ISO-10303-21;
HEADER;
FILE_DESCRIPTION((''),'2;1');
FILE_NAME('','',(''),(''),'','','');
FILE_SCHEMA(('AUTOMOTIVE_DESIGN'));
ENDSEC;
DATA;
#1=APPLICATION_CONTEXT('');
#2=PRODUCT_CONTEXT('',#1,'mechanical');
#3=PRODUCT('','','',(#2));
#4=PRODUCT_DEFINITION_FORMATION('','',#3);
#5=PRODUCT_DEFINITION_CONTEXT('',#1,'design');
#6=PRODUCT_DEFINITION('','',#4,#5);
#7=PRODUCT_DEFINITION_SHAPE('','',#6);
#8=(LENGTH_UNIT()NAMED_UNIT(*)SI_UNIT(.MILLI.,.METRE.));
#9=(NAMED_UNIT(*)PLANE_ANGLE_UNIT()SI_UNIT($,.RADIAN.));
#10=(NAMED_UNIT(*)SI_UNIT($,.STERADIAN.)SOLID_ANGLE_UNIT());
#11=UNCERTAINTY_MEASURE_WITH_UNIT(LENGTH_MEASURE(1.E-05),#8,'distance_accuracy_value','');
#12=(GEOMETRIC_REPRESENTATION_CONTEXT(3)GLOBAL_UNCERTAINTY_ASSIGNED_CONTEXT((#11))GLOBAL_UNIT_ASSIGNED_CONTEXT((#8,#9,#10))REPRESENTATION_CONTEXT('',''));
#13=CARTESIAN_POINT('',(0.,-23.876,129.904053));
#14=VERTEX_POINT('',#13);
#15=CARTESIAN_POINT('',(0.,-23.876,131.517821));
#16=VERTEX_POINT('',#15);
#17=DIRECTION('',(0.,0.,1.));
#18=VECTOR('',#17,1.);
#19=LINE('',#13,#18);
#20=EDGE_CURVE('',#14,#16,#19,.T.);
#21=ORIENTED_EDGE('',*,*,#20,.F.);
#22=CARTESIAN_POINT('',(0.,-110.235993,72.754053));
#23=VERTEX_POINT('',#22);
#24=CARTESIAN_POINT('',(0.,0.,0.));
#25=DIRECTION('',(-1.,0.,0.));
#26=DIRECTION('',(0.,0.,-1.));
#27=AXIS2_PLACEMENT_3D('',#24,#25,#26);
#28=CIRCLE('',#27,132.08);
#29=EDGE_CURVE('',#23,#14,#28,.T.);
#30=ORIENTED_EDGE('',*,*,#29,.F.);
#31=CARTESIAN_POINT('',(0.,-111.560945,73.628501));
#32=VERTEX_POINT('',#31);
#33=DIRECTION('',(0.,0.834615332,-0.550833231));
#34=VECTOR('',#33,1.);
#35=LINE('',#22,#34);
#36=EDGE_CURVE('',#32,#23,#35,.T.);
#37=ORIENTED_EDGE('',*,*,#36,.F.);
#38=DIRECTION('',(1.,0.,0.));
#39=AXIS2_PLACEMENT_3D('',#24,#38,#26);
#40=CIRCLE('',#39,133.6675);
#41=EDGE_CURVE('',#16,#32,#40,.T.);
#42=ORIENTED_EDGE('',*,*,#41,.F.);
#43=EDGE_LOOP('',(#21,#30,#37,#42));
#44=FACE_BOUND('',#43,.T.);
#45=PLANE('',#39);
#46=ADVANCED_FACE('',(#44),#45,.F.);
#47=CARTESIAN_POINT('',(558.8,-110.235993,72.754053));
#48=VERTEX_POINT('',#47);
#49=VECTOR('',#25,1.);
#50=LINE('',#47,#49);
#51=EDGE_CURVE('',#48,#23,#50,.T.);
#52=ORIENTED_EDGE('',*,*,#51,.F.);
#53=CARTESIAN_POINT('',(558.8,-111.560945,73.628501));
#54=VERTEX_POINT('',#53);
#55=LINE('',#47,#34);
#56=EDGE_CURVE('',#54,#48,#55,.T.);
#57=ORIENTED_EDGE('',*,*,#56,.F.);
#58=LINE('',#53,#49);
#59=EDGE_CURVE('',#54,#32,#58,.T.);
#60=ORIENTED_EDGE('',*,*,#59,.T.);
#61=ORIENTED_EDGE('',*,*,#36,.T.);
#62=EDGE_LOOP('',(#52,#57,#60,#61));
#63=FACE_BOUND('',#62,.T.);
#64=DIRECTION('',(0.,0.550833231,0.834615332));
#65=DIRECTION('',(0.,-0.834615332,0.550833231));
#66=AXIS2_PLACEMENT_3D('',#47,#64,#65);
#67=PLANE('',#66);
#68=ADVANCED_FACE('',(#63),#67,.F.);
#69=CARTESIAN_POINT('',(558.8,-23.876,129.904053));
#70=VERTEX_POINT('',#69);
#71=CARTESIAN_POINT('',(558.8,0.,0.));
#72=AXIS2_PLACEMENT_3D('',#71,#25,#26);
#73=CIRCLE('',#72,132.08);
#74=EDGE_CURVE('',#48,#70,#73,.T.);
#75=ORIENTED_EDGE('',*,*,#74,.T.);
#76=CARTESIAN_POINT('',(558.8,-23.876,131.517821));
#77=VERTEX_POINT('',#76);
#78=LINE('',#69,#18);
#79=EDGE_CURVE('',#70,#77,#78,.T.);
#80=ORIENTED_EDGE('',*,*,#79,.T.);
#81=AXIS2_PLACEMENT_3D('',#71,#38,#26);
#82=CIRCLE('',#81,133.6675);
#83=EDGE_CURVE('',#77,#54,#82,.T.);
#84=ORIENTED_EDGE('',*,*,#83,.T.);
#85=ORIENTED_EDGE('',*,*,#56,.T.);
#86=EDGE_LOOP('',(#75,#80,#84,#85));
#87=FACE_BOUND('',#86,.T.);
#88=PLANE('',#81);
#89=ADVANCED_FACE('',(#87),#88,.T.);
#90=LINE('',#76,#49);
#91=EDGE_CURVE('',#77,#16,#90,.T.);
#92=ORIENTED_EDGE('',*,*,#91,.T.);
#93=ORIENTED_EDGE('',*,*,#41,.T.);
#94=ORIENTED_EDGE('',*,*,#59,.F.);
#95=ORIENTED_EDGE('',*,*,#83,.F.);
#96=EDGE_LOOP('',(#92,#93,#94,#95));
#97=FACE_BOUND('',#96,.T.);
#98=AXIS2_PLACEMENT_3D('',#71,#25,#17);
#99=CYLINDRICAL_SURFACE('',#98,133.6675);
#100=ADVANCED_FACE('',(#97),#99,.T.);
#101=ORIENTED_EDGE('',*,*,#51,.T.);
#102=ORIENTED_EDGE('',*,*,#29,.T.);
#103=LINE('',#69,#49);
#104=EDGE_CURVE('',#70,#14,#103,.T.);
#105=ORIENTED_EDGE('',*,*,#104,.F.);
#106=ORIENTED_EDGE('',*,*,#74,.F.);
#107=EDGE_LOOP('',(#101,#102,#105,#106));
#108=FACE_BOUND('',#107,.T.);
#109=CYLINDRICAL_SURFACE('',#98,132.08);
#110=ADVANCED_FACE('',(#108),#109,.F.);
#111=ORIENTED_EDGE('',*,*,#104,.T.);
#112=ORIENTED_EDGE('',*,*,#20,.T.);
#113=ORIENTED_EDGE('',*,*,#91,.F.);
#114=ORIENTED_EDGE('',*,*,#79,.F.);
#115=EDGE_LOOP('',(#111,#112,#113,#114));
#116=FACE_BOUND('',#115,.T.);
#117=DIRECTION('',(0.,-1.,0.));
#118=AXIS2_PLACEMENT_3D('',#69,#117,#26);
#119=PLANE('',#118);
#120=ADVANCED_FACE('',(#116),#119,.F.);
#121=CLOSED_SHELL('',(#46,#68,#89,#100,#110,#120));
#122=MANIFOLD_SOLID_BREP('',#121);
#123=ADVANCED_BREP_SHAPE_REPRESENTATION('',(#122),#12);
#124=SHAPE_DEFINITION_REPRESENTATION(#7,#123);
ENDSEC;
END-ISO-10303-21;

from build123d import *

# Parameters (mm, degrees)
BOSS_EXTRUDE1_DEPTH = 558.8


with BuildPart() as part:
    # Sketch1 → Boss-Extrude1 (new body)
    with BuildSketch(Plane(origin=(0, 0, 0), x_dir=(0, 0, -1), z_dir=(1, 0, 0))):
        with BuildLine():
            Line((-129.904053147, -23.876), (-131.517820771, -23.876))
            ThreePointArc((-131.517820771, -23.876), (-111.550059217, -73.644991988), (-73.628500901, -111.56094483))
            Line((-73.628500901, -111.56094483), (-72.754053147, -110.235992991))
            ThreePointArc((-72.754053147, -110.235992991), (-110.14576301, -72.890584378), (-129.904053147, -23.876))
        make_face()
    extrude(amount=BOSS_EXTRUDE1_DEPTH)


solid = part.part
